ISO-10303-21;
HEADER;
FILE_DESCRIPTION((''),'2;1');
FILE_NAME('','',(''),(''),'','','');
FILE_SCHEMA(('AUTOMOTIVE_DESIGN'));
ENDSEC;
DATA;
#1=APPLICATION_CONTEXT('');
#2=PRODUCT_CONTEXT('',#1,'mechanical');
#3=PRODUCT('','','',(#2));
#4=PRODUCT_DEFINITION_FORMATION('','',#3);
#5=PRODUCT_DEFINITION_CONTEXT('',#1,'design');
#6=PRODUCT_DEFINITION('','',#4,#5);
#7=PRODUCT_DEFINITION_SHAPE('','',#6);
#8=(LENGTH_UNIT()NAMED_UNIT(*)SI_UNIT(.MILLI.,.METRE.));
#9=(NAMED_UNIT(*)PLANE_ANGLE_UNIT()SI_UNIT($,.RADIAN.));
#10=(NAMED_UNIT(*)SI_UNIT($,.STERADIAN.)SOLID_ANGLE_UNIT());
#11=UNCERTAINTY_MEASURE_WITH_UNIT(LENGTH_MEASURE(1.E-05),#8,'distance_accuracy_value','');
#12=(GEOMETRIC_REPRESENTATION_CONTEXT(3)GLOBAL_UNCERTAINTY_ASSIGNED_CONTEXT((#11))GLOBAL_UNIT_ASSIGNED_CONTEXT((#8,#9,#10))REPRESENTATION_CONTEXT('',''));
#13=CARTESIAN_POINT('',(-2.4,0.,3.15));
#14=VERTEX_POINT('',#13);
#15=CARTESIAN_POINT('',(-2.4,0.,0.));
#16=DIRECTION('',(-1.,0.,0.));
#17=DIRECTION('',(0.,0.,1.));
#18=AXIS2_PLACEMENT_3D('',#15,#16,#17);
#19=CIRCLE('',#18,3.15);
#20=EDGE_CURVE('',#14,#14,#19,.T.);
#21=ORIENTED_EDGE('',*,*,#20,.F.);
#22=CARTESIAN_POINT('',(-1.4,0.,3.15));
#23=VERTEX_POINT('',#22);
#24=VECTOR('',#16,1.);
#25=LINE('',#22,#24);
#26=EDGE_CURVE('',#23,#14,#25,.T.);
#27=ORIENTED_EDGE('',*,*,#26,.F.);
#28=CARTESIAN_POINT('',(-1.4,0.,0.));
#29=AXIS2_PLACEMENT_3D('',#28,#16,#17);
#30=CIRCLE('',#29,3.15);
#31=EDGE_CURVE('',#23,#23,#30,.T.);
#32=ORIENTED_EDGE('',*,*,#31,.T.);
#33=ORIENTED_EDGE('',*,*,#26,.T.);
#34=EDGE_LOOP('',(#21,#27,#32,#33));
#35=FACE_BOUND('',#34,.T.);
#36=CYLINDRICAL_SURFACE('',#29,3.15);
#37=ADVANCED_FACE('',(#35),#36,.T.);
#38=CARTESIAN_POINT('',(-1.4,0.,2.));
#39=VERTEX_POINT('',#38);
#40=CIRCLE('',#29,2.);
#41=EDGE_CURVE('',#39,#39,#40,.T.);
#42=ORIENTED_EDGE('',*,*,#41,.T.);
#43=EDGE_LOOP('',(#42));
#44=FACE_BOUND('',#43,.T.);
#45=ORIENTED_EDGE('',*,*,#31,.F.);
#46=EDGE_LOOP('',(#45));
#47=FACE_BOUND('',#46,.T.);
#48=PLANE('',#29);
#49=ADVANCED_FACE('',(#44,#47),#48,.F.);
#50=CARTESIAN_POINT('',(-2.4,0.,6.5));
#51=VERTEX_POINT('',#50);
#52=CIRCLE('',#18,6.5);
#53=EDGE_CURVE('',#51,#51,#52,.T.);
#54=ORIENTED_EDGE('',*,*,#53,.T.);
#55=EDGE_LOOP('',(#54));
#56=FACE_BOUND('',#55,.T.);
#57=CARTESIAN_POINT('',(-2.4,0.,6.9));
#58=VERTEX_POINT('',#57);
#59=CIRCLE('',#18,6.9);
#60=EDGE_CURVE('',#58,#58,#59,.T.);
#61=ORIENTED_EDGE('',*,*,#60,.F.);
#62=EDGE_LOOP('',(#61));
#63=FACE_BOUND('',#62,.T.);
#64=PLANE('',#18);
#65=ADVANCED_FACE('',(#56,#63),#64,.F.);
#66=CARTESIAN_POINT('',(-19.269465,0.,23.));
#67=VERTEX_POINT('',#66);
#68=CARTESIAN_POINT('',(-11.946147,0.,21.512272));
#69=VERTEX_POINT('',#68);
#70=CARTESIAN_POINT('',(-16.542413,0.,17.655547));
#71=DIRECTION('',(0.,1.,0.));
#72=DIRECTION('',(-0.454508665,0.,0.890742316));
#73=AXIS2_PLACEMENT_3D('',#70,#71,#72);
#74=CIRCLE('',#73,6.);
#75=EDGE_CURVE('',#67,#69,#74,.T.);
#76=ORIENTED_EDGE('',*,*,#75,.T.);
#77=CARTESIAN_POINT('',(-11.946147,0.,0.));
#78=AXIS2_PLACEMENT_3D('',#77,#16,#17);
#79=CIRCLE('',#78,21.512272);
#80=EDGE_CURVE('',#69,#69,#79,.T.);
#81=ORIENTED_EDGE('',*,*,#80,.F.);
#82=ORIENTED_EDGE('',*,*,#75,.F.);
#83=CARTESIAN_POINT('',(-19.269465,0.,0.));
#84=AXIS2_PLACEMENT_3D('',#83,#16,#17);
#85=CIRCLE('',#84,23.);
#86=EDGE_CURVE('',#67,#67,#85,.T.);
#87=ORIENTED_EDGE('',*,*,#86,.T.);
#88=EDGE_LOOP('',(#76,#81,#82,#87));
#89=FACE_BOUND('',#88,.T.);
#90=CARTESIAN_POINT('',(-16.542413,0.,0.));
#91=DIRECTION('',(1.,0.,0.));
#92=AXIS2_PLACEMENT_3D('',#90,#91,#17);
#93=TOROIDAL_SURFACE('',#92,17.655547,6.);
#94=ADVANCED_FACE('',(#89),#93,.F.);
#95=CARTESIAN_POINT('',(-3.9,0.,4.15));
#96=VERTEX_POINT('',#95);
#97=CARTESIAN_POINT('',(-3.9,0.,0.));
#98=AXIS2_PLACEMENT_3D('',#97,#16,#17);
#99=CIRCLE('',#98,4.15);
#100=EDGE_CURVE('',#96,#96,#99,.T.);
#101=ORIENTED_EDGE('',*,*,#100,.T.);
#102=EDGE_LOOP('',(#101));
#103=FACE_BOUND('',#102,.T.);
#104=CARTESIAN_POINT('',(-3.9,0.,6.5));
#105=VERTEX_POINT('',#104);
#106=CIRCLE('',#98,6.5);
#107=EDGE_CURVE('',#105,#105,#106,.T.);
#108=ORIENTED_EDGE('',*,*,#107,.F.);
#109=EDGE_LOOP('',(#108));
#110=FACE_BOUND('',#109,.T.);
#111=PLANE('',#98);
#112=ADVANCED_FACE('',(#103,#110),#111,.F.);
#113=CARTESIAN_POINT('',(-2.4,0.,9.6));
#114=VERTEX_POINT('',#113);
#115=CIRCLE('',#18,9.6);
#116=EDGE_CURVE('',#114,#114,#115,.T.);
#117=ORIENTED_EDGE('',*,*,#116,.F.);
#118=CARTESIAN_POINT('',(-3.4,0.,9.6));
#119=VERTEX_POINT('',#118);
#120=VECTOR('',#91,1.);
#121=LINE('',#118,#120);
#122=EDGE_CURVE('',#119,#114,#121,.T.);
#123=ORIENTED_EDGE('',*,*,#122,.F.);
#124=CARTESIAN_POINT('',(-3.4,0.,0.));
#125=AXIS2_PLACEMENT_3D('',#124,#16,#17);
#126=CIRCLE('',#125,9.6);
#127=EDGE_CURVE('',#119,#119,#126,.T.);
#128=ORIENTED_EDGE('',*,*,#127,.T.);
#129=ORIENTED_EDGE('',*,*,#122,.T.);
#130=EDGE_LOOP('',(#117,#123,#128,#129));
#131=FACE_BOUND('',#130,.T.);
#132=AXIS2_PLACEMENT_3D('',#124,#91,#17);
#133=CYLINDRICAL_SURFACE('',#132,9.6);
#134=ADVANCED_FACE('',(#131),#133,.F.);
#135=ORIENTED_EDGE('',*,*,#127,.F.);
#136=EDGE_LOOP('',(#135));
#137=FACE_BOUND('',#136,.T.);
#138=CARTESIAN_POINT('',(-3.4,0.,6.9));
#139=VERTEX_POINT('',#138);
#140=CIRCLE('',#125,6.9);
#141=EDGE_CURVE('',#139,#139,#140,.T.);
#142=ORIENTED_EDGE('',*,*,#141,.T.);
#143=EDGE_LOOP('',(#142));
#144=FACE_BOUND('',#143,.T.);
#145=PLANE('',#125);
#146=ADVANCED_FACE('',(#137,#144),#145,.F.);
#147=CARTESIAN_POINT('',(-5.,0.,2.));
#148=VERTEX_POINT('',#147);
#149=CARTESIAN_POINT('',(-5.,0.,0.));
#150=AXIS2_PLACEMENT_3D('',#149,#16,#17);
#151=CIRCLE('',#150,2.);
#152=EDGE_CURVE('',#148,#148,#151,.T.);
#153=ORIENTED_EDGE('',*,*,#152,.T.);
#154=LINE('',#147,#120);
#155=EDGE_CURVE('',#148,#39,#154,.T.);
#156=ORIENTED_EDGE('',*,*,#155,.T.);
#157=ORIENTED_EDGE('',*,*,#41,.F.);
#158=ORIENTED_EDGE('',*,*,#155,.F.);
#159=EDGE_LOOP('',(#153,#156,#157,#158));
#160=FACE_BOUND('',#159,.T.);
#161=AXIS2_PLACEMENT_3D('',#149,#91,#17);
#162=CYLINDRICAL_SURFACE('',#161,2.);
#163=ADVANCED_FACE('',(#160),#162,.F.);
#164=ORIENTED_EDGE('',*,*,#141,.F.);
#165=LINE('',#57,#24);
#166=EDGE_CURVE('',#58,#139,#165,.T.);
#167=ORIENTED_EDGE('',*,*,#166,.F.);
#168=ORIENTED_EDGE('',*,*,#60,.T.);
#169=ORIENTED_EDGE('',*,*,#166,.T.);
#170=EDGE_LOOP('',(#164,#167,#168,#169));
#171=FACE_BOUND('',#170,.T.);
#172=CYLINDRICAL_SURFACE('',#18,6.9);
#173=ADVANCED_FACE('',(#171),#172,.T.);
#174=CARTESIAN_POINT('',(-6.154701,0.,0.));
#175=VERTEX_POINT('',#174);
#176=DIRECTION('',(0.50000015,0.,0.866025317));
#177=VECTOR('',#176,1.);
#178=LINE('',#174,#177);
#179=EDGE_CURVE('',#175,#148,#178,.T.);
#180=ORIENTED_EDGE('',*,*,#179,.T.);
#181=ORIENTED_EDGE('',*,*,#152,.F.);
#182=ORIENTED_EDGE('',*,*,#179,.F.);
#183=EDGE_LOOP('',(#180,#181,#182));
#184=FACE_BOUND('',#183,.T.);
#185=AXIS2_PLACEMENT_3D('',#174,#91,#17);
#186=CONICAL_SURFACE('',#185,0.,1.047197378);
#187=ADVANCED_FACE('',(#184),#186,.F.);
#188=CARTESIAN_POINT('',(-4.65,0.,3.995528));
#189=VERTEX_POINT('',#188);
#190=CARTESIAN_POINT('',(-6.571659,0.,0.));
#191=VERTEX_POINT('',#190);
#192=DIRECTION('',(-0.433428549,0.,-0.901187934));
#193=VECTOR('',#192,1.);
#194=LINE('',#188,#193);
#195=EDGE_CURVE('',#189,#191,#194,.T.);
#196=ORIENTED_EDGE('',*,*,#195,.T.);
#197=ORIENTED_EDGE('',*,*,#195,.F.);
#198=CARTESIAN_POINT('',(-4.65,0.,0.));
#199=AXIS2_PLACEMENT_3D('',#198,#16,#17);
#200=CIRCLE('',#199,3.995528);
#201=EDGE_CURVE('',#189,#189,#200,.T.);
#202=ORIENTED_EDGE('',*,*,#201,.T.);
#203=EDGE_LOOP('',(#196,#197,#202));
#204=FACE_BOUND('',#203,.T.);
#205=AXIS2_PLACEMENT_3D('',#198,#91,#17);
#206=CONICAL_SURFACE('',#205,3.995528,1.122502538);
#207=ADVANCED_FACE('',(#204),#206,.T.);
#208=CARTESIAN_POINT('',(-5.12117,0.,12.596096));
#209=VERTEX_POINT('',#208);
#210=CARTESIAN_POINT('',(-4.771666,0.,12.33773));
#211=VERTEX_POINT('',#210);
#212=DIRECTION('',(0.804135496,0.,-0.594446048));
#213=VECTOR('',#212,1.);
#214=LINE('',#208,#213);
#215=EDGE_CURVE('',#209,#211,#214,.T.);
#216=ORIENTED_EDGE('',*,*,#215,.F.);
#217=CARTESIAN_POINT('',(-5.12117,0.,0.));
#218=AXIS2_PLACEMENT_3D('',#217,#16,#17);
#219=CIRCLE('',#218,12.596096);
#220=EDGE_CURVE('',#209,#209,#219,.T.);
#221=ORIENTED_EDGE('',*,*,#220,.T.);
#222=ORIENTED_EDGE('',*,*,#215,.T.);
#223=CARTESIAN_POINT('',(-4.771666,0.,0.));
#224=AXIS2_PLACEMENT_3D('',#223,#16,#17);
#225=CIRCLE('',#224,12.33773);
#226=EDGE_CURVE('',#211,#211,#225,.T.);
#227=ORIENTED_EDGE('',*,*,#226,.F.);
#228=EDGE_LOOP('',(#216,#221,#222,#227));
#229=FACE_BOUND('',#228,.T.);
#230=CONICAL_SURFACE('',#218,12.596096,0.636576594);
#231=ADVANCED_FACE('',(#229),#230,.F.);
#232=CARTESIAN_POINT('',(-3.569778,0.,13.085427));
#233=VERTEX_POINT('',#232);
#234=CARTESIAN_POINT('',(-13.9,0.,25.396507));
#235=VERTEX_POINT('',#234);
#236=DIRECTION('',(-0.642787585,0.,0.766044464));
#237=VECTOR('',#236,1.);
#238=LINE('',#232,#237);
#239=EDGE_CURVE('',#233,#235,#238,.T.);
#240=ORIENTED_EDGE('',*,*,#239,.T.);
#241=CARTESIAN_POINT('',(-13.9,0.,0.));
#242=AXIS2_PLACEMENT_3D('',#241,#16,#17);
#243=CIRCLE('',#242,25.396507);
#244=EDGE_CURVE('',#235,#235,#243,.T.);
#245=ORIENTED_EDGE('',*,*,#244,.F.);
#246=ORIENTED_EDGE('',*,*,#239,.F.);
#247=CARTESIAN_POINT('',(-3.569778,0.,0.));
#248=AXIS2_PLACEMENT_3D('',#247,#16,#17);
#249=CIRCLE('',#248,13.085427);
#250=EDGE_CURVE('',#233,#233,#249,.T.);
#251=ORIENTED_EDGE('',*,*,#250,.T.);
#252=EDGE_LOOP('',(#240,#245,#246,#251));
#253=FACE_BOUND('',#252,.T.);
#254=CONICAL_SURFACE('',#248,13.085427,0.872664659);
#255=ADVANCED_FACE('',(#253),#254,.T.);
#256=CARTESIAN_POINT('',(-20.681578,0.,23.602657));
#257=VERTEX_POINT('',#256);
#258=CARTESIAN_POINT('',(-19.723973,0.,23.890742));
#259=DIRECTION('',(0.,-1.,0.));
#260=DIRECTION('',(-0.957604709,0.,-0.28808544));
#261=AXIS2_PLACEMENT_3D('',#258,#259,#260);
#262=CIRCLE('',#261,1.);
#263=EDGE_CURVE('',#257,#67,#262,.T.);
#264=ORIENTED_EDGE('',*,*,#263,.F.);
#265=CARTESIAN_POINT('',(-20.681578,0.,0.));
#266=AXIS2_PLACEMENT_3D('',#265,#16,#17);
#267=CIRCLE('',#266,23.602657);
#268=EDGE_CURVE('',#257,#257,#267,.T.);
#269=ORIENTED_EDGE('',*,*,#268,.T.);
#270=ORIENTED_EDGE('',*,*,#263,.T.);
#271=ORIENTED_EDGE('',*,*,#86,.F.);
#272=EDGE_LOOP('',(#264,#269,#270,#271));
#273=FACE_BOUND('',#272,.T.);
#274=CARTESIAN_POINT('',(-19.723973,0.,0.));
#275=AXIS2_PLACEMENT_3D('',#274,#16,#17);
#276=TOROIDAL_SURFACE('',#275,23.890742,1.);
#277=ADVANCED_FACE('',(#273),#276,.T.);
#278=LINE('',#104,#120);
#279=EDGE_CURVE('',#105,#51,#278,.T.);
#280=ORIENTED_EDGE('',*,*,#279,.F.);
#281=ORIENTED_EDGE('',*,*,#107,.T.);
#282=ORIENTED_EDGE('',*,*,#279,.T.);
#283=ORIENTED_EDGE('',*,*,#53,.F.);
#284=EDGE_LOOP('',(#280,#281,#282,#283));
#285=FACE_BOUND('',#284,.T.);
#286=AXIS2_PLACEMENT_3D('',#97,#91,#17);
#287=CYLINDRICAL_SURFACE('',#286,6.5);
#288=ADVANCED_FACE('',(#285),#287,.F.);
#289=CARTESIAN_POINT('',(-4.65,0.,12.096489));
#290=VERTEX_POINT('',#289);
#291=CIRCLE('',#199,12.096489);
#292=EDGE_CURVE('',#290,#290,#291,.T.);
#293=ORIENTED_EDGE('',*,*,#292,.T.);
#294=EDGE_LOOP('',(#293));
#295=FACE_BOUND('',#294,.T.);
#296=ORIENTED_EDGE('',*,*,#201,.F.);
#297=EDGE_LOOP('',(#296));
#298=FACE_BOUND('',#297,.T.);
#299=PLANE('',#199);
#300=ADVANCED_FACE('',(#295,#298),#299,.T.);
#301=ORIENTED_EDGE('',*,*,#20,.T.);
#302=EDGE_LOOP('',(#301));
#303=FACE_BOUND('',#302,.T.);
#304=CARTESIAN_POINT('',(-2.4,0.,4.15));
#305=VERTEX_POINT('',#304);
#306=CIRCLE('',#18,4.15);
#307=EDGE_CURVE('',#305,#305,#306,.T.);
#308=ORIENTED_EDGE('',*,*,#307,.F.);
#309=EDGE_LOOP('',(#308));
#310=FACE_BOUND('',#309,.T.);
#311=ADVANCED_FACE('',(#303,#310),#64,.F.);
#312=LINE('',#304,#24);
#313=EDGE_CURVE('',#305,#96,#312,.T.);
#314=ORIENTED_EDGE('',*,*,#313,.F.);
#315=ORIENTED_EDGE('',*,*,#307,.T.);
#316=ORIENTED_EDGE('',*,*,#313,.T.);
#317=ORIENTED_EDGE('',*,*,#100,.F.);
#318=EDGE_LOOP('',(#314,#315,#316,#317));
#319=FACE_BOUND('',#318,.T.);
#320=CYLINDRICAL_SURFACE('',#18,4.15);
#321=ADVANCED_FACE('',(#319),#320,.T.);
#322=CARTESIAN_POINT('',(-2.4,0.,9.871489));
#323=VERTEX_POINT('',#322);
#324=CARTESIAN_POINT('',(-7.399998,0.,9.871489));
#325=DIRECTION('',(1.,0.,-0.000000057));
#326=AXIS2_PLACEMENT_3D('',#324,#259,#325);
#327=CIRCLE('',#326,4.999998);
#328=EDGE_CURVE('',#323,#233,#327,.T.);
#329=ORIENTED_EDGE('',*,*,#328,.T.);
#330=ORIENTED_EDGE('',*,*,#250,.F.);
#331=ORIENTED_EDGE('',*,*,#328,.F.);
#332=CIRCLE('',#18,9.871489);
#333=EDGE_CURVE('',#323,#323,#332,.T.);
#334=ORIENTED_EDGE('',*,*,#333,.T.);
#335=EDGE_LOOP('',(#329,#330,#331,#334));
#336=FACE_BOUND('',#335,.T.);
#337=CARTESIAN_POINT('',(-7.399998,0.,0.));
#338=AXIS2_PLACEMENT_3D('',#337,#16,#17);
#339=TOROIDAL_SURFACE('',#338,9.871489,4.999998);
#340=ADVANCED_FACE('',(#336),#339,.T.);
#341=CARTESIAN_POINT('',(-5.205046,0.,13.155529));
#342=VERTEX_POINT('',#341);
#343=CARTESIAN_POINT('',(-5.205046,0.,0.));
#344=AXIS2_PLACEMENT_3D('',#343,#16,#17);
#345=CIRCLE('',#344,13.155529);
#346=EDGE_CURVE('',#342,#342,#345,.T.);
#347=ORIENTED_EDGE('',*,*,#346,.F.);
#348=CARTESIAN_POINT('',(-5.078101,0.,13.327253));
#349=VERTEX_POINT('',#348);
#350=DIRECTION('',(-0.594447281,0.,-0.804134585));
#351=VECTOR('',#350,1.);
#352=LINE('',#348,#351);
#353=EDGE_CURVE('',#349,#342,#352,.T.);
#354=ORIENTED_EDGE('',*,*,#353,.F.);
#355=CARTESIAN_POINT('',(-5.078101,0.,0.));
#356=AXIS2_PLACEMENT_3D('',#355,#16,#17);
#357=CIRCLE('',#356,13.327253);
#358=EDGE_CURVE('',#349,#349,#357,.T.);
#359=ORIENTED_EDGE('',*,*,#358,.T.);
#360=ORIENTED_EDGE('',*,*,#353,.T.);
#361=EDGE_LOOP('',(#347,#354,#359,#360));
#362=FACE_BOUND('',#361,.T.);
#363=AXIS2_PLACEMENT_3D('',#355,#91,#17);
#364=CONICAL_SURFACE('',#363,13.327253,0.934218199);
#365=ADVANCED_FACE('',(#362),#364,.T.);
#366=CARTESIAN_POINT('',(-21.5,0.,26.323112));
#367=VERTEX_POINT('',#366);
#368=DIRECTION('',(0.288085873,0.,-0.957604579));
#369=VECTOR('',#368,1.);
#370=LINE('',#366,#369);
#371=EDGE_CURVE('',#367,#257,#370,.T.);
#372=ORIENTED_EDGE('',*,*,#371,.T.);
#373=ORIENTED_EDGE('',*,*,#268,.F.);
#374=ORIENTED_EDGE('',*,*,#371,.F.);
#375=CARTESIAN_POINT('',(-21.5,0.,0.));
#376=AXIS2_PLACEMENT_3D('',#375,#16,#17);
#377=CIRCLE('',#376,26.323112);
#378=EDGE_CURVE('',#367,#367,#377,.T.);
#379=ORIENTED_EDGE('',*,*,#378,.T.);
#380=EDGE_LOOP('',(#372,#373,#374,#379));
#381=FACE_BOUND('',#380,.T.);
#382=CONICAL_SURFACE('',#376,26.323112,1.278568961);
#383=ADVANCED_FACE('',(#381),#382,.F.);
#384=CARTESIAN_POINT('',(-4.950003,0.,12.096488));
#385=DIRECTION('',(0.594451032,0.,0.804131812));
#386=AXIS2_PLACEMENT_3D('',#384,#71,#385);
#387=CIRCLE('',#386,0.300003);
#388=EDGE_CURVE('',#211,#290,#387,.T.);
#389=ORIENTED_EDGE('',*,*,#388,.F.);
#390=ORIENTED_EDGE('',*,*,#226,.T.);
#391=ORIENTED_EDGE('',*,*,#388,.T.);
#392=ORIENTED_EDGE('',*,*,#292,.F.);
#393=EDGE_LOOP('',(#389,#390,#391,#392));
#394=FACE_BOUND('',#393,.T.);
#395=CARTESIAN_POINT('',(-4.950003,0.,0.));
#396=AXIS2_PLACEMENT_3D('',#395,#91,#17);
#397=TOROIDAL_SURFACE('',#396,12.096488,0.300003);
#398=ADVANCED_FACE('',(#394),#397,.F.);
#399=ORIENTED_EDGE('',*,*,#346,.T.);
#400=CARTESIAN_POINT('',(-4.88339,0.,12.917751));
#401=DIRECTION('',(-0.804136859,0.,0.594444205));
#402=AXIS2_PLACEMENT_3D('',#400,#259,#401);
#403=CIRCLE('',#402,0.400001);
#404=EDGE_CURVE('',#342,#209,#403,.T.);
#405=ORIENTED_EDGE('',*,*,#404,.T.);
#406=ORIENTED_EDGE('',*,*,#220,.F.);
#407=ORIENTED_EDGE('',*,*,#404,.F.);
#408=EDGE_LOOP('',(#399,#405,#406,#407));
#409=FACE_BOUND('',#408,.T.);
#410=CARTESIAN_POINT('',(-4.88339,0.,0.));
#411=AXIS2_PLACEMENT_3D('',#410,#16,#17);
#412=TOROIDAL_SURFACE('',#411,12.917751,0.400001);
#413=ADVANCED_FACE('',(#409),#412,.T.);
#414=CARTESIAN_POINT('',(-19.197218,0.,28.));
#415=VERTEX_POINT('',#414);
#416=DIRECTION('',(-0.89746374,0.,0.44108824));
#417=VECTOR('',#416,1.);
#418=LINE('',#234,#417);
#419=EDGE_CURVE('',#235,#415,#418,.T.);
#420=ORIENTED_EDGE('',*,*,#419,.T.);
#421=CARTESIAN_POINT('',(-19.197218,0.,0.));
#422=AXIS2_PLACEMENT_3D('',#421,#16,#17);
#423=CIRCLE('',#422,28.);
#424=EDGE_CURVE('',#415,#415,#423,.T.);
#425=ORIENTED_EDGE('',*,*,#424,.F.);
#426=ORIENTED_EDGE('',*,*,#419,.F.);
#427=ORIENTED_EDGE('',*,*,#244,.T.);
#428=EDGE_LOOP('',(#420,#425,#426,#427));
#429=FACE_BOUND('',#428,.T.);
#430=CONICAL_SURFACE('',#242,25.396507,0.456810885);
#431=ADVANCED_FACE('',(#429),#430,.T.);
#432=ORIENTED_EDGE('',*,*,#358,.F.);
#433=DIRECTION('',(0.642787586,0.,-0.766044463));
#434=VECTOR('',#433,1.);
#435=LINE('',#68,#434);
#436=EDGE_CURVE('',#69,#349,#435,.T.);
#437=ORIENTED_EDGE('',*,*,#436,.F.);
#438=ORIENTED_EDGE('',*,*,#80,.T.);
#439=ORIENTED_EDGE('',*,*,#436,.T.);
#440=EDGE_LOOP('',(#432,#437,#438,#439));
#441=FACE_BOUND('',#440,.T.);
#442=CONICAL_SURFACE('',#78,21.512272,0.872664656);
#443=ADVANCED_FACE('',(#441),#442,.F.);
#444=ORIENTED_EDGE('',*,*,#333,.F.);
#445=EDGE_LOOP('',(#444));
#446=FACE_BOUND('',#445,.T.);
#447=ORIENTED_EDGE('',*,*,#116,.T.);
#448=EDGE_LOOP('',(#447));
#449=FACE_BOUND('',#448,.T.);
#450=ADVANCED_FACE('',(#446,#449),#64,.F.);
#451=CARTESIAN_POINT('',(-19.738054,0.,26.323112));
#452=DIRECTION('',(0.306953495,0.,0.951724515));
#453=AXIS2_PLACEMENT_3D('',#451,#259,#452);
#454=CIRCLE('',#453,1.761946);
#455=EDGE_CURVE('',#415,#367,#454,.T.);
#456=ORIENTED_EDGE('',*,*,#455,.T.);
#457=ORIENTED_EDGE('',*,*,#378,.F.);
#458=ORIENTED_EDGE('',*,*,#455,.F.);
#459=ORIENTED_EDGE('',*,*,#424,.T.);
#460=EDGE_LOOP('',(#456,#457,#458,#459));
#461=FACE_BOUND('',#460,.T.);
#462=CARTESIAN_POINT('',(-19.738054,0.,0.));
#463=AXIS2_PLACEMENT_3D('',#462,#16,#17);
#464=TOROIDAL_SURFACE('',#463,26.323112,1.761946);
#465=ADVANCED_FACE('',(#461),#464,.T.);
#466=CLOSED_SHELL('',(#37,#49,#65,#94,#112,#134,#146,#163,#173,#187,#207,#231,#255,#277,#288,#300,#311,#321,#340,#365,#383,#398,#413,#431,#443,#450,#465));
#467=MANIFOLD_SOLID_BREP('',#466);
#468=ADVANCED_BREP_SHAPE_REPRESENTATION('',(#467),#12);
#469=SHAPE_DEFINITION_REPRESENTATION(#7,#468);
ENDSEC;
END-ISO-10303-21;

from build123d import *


with BuildPart() as f1:
    # F0 (on Front) → F1 (revolve)
    with BuildSketch(Plane.XZ):
        with BuildLine():
            Line((-5, 2), (-1.4, 2))
            Line((-1.4, 2), (-1.4, 3.15))
            Line((-1.4, 3.15), (-2.4, 3.15))
            Line((-2.4, 3.15), (-2.4, 4.15))
            Line((-2.4, 4.15), (-3.9, 4.15))
            Line((-3.9, 4.15), (-3.9, 6.5))
            Line((-3.9, 6.5), (-2.4, 6.5))
            Line((-2.4, 6.5), (-2.4, 6.9))
            Line((-2.4, 6.9), (-3.4, 6.9))
            Line((-3.4, 6.9), (-3.4, 9.6))
            Line((-3.4, 9.6), (-2.4, 9.6))
            Line((-2.4, 9.6), (-2.4, 9.871489))
            ThreePointArc((-2.4, 9.871489), (-2.701537, 11.58159), (-3.569778, 13.085427))
            Line((-3.569778, 13.085427), (-13.9, 25.396507))
            Line((-13.9, 25.396507), (-19.197218, 28))
            ThreePointArc((-19.197218, 28), (-20.775245, 27.747433), (-21.5, 26.323112))
            Line((-21.5, 26.323112), (-20.681578, 23.602657))
            ThreePointArc((-20.681578, 23.602657), (-20.116498, 22.971001), (-19.269465, 23))
            ThreePointArc((-19.269465, 23), (-15.347916, 23.535442), (-11.946147, 21.512272))
            Line((-11.946147, 21.512272), (-5.078101, 13.327253))
            Line((-5.078101, 13.327253), (-5.205046, 13.155529))
            ThreePointArc((-5.205046, 13.155529), (-5.27897, 12.858441), (-5.12117, 12.596096))
            Line((-5.12117, 12.596096), (-4.771666, 12.33773))
            ThreePointArc((-4.771666, 12.33773), (-4.682138, 12.231581), (-4.65, 12.096489))
            Line((-4.65, 12.096489), (-4.65, 3.995528))
            Line((-4.65, 3.995528), (-6.571659, 0))
            Line((-6.571659, 0), (-6.154701, 0))
            Line((-6.154701, 0), (-5, 2))
        make_face()
    revolve(axis=Axis((-6.36318, 0, 0), (-1, 0, 0)))


solid = f1.part
